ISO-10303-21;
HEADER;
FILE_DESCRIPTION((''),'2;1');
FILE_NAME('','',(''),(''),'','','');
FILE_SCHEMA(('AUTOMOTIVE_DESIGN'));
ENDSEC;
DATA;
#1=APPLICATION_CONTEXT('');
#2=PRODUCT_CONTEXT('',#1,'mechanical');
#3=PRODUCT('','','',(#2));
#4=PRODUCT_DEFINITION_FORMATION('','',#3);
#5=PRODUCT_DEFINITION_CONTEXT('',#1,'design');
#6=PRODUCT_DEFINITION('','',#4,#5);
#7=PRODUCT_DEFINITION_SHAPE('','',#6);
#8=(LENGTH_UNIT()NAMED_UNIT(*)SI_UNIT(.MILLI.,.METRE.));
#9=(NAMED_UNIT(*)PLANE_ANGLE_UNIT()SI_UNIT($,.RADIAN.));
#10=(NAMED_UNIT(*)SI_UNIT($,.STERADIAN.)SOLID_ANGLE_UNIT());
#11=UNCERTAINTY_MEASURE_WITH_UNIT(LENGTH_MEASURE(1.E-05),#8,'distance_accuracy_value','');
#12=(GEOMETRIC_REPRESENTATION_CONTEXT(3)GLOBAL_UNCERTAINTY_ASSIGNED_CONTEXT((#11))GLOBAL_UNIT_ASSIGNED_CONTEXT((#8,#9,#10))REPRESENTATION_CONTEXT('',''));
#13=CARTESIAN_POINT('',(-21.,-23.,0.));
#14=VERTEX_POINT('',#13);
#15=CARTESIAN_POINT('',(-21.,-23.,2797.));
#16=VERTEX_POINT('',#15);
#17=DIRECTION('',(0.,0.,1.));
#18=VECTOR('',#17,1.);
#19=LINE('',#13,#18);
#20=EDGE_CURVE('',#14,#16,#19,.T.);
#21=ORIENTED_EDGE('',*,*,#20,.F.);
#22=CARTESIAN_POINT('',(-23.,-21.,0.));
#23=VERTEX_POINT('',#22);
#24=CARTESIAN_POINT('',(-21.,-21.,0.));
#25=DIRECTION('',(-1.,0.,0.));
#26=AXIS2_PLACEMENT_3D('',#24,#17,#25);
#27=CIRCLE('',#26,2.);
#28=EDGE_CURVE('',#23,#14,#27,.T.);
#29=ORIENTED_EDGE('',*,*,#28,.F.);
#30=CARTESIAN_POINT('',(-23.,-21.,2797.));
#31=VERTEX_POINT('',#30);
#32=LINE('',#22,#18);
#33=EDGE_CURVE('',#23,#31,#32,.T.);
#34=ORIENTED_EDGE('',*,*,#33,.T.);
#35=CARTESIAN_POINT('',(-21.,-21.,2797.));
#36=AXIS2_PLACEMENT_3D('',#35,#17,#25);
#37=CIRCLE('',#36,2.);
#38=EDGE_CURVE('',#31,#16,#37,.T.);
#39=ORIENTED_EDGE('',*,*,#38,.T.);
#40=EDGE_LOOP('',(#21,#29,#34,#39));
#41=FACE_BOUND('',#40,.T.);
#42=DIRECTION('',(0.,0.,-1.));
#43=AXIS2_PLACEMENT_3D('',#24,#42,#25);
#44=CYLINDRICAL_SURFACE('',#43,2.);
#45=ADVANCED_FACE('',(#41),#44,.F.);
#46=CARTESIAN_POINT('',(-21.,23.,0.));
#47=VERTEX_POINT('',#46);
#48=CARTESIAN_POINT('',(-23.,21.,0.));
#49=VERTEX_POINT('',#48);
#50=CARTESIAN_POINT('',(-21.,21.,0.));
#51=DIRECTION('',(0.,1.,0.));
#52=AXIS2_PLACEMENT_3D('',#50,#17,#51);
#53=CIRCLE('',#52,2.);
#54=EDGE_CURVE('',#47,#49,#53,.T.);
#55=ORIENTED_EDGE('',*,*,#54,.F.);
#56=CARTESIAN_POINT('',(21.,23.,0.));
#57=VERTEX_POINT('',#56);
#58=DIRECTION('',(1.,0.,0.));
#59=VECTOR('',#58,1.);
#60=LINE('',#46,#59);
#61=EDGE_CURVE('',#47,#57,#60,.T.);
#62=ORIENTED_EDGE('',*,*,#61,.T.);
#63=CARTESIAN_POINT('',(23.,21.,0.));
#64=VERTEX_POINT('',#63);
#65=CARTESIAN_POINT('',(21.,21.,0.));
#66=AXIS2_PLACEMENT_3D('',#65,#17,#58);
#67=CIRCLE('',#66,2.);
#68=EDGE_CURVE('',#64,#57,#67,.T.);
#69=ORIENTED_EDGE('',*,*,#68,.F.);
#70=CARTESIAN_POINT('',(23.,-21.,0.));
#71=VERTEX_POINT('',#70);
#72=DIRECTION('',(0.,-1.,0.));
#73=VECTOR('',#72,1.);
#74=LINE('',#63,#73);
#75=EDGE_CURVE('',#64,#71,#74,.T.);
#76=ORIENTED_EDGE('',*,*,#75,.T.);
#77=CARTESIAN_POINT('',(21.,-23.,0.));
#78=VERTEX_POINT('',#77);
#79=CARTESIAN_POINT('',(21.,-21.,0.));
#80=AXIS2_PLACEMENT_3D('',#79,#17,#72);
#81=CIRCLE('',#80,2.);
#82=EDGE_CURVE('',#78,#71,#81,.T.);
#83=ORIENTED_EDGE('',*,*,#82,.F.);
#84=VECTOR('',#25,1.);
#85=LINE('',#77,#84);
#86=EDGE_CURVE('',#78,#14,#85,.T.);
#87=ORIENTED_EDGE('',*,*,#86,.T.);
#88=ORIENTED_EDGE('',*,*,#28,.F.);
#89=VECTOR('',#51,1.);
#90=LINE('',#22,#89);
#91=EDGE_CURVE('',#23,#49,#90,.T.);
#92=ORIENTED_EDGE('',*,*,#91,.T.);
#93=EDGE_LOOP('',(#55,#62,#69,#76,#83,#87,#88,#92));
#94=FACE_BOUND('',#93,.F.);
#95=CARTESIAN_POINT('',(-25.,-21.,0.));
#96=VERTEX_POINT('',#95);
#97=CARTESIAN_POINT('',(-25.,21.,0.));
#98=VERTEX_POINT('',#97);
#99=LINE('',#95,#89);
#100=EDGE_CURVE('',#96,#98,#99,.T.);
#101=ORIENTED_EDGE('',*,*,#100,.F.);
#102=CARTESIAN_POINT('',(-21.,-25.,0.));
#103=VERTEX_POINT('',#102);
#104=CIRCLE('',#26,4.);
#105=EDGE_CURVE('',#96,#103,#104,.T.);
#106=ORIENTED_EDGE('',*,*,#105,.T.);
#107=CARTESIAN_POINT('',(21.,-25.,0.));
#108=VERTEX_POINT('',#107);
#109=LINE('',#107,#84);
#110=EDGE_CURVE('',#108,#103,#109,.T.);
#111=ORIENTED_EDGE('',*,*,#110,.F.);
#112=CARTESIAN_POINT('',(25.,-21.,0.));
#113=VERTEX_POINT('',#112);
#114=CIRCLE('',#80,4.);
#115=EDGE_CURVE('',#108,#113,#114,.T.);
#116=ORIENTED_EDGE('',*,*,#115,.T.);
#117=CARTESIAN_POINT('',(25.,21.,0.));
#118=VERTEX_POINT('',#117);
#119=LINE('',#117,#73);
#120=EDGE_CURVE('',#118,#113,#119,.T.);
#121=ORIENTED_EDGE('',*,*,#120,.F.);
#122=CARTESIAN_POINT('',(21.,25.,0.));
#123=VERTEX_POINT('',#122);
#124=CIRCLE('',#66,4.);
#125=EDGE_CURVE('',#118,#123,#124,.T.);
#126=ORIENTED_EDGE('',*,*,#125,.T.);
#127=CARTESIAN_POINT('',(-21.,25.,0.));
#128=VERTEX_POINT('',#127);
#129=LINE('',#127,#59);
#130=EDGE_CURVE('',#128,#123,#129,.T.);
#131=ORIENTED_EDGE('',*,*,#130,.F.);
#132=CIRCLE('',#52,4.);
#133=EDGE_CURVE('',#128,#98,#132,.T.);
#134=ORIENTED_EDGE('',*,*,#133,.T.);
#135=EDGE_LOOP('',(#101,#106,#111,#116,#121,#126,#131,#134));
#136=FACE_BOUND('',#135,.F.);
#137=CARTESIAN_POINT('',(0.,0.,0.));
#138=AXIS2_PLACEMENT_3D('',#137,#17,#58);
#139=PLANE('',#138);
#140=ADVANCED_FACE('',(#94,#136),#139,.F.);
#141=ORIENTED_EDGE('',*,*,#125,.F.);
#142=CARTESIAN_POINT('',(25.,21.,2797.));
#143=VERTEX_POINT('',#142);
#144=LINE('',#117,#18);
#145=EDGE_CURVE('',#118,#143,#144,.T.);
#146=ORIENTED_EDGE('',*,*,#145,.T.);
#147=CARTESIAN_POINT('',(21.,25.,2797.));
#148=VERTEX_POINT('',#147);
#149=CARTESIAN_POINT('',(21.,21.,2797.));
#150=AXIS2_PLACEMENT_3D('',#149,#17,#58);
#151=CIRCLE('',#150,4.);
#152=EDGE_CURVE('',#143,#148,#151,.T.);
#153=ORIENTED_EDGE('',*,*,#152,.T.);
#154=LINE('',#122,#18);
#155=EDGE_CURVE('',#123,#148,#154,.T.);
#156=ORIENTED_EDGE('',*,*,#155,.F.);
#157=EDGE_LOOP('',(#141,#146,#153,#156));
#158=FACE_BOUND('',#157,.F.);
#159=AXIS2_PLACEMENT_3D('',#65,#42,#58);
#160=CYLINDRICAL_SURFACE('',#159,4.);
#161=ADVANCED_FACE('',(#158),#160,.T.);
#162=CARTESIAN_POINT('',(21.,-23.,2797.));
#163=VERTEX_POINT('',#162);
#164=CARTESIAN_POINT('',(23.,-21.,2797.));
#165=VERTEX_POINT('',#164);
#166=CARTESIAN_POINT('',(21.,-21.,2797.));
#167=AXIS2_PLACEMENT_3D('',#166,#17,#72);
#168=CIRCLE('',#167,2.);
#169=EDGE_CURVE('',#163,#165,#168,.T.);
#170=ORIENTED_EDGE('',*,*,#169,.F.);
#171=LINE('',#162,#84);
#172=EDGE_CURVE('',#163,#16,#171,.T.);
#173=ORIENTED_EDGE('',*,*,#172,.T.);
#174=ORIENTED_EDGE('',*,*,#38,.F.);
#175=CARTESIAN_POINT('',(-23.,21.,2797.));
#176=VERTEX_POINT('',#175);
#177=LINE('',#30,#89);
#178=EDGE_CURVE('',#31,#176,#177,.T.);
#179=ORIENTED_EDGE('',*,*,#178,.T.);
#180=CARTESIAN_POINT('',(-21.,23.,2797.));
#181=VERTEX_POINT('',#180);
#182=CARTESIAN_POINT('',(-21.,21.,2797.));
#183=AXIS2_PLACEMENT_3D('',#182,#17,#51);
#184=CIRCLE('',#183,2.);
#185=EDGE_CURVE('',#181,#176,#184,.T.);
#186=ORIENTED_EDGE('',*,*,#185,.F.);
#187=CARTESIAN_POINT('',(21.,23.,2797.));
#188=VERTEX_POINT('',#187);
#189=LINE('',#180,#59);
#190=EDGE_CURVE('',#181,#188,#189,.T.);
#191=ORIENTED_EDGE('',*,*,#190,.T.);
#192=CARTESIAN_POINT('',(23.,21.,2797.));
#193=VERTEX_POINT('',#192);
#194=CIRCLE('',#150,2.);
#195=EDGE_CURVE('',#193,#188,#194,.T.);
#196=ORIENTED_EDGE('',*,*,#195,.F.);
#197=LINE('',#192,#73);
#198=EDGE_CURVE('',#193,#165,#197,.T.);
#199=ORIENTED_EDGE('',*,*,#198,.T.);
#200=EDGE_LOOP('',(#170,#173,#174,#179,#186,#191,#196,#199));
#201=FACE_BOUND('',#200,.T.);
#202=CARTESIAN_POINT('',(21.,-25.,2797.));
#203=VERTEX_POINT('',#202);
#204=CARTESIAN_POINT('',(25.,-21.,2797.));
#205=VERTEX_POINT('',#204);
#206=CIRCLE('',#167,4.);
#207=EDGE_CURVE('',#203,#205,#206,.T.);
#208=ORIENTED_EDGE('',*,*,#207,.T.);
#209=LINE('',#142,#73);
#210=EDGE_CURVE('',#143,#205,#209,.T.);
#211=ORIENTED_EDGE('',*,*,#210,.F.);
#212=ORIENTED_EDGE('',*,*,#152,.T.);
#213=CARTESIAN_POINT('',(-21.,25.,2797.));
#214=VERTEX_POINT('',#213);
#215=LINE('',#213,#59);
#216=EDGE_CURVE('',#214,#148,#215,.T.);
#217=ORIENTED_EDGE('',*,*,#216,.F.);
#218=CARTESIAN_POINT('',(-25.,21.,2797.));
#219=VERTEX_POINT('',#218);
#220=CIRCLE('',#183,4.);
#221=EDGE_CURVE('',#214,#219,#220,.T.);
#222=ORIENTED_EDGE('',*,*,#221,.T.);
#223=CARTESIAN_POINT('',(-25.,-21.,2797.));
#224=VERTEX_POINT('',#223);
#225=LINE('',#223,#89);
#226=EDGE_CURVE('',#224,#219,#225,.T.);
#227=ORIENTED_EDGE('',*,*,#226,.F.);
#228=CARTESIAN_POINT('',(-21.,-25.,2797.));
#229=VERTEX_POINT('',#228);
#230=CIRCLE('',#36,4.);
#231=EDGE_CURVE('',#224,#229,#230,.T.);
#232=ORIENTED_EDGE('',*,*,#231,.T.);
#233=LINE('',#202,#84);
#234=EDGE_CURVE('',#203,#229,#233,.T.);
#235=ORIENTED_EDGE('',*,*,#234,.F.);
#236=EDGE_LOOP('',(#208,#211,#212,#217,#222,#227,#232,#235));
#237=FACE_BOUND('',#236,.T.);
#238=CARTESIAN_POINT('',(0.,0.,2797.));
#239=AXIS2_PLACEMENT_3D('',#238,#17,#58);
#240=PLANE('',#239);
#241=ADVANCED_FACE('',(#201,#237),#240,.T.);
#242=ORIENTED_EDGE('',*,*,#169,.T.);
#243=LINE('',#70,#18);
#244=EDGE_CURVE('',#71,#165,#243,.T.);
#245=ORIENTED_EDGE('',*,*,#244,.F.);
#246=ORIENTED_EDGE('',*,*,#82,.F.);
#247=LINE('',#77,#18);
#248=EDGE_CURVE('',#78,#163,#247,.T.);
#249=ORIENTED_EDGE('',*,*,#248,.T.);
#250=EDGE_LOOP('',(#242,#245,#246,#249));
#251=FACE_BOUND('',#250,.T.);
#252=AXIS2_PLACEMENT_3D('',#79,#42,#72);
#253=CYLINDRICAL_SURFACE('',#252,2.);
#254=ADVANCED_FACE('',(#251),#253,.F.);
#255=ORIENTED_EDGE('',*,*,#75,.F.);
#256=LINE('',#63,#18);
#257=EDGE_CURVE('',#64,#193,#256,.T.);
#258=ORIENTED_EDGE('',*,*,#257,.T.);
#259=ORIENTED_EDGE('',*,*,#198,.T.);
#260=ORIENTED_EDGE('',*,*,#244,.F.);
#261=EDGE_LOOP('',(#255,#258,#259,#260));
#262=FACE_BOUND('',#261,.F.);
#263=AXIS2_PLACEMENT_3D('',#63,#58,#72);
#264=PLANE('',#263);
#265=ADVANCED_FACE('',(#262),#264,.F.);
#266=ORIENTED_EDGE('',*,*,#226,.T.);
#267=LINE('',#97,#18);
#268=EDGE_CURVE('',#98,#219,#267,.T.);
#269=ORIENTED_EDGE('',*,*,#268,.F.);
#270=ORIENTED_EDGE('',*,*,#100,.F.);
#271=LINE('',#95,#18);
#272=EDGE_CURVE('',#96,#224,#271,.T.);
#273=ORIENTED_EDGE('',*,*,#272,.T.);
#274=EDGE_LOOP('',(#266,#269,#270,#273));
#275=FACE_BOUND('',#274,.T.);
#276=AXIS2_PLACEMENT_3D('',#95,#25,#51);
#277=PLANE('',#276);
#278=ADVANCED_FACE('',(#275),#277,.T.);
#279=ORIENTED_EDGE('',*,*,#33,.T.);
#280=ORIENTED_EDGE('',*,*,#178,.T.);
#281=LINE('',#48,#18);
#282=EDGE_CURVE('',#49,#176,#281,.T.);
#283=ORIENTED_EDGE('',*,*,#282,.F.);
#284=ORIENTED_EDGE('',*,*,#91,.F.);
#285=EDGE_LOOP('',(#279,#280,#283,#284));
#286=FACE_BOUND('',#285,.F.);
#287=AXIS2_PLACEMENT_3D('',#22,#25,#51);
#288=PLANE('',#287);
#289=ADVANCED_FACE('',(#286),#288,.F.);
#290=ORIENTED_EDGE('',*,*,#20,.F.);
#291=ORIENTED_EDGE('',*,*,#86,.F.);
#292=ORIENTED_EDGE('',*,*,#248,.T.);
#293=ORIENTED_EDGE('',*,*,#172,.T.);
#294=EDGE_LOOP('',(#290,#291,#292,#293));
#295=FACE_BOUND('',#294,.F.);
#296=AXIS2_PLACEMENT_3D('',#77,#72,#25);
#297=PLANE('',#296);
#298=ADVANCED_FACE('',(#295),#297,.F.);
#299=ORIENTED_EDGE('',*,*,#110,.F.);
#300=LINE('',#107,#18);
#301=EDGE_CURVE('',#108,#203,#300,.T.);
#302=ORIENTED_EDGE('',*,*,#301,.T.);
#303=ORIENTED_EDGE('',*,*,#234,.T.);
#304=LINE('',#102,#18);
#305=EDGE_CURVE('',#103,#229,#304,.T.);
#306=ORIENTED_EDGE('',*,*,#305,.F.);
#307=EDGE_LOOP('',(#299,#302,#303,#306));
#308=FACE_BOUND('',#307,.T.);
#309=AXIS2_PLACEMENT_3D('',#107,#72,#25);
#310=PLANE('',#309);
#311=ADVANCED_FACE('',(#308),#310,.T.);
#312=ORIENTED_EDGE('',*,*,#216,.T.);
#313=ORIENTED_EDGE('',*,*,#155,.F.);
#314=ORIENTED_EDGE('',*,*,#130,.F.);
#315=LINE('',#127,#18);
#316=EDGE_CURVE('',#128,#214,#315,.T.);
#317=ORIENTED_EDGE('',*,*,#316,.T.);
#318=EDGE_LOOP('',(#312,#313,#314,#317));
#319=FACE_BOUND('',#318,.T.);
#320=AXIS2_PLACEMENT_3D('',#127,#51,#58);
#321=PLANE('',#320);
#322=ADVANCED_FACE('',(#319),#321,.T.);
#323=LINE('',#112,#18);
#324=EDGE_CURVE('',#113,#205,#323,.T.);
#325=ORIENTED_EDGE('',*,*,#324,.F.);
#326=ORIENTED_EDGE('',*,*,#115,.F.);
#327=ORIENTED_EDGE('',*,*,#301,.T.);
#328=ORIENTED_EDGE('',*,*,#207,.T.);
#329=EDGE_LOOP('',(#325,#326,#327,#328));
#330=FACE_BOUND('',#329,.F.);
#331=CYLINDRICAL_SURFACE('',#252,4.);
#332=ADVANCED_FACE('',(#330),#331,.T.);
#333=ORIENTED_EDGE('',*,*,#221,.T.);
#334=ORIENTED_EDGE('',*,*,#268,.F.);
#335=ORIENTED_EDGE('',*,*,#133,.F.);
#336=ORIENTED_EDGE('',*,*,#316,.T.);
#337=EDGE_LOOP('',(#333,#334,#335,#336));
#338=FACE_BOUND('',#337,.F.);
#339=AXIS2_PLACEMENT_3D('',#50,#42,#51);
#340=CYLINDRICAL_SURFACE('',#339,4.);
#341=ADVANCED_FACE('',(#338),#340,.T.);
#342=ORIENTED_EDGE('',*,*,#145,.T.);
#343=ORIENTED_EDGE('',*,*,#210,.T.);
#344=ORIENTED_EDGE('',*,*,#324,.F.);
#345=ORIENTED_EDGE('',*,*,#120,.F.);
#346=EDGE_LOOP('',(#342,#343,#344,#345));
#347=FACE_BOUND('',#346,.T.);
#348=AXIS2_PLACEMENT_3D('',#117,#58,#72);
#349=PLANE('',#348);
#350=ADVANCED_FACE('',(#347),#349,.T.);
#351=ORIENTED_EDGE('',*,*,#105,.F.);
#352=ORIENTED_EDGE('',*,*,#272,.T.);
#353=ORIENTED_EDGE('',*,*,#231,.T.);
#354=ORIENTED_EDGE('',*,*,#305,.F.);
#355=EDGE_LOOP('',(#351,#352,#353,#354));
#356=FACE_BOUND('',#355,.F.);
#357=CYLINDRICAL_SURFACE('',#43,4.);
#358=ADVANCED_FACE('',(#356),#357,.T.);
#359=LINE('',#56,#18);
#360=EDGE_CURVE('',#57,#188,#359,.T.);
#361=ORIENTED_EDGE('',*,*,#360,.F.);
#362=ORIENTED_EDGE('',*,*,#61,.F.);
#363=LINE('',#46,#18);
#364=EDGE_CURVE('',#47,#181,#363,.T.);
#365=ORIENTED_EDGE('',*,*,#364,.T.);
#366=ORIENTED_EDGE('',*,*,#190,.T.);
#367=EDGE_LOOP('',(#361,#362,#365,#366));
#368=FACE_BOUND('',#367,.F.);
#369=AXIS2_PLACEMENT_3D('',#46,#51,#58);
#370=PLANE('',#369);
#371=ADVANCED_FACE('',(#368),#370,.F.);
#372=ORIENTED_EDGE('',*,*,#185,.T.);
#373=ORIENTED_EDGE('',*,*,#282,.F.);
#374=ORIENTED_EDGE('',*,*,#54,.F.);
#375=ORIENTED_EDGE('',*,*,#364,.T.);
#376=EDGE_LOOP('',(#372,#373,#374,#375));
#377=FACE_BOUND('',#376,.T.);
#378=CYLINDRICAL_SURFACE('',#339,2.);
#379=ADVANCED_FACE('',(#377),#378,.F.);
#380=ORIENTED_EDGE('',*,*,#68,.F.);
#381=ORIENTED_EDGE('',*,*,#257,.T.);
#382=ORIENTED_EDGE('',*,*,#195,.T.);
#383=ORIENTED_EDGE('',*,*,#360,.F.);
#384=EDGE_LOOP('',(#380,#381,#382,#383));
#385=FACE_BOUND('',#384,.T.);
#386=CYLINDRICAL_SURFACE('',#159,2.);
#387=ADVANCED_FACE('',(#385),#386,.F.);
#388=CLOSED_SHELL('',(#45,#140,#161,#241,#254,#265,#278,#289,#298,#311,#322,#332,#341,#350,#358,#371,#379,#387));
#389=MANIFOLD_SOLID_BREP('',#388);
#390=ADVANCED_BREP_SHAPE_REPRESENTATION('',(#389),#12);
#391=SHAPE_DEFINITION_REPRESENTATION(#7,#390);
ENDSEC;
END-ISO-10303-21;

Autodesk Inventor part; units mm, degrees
ref_plane "YZ Plane" through (0, 0, 0) normal (1, 0, 0) x (0, 1, 0)
ref_plane "Start plane" through (0, 0, 0) normal (0, 0, 1) x (1, 0, 0)
ref_plane "End plane" through (0, 0, 2797) normal (0, 0, 1) x (1, 0, 0)
sketch "Sketch" plane through (0, 0, 0) normal (0, 0, 1) x (1, 0, 0)
  line L0 (-25, -21) -> (-25, 21)
  line L1 (-21, 25) -> (21, 25)
  line L2 (25, 21) -> (25, -21)
  line L3 (21, -25) -> (-21, -25)
  arc A0 (-25, -21) -> (-21, -25) centre (-21, -21) ccw
  arc A1 (25, 21) -> (21, 25) centre (21, 21) ccw
  arc A2 (-21, 25) -> (-25, 21) centre (-21, 21) ccw
  arc A3 (21, -25) -> (25, -21) centre (21, -21) ccw
  arc A4 (-21, 23) -> (-23, 21) centre (-21, 21) ccw
  line L4 (-21, 23) -> (21, 23)
  arc A5 (23, 21) -> (21, 23) centre (21, 21) ccw
  line L5 (23, 21) -> (23, -21)
  arc A6 (21, -23) -> (23, -21) centre (21, -21) ccw
  line L6 (21, -23) -> (-21, -23)
  arc A7 (-23, -21) -> (-21, -23) centre (-21, -21) ccw
  line L7 (-23, -21) -> (-23, 21)
  line L8 (0, 37.1021) -> (0, -37.1021) construction
  line L9 (-23.1021, 0) -> (23.1021, 0) construction
  dimension "d7" = 4
  dimension "d9" = 50
  dimension "d11" = 50
  dimension "d12" = 2
  dimension "d15" = 25
  dimension "d16" = 25
extrude "Body" add sketch "Sketch" along normal up to surface (2797 mm away) from surface at 0
sketch "Sketch3" plane through (0, 0, 0) normal (0, 0, 1) x (1, 0, 0)
  line L0 (0, 0) -> (10, 0)
ref_plane "Work Plane3" through (0, 0, 0) normal (0, -1, 0) x (1, 0, 0)
sketch "Sketch4" plane through (0, 0, 0) normal (0, -1, 0) x (1, 0, 0)
  line L0 (-2, 0) -> (12, 0) projected
  line L1 (-2, 2797) -> (12, 2797) projected
  dimension "d18" = 2797
equation "\"d7\" = G_IR"
equation "\"d9\" = G_W"
equation "\"d11\" = G_H"
equation "\"d12\" = G_T"
equation "\"d15\" = 0.5 * d9"
equation "\"d16\" = 0.5 * d11"
equation "\"d3\" = G_L"
equation "\"G_W\" = 50"
equation "\"G_H\" = 50"
equation "\"G_T\" = 2"
equation "\"G_IR\" = 4"
equation "\"G_L\" = d18"
equation "\"G_OFFSET_START\" = 0"
equation "\"G_OFFSET_END\" = 0"
equation "\"d14\" = G_OFFSET_END + B_L"
equation "\"B_L\" = 2797"
properties part number "BSH 073 tube" material "Steel, Mild"
